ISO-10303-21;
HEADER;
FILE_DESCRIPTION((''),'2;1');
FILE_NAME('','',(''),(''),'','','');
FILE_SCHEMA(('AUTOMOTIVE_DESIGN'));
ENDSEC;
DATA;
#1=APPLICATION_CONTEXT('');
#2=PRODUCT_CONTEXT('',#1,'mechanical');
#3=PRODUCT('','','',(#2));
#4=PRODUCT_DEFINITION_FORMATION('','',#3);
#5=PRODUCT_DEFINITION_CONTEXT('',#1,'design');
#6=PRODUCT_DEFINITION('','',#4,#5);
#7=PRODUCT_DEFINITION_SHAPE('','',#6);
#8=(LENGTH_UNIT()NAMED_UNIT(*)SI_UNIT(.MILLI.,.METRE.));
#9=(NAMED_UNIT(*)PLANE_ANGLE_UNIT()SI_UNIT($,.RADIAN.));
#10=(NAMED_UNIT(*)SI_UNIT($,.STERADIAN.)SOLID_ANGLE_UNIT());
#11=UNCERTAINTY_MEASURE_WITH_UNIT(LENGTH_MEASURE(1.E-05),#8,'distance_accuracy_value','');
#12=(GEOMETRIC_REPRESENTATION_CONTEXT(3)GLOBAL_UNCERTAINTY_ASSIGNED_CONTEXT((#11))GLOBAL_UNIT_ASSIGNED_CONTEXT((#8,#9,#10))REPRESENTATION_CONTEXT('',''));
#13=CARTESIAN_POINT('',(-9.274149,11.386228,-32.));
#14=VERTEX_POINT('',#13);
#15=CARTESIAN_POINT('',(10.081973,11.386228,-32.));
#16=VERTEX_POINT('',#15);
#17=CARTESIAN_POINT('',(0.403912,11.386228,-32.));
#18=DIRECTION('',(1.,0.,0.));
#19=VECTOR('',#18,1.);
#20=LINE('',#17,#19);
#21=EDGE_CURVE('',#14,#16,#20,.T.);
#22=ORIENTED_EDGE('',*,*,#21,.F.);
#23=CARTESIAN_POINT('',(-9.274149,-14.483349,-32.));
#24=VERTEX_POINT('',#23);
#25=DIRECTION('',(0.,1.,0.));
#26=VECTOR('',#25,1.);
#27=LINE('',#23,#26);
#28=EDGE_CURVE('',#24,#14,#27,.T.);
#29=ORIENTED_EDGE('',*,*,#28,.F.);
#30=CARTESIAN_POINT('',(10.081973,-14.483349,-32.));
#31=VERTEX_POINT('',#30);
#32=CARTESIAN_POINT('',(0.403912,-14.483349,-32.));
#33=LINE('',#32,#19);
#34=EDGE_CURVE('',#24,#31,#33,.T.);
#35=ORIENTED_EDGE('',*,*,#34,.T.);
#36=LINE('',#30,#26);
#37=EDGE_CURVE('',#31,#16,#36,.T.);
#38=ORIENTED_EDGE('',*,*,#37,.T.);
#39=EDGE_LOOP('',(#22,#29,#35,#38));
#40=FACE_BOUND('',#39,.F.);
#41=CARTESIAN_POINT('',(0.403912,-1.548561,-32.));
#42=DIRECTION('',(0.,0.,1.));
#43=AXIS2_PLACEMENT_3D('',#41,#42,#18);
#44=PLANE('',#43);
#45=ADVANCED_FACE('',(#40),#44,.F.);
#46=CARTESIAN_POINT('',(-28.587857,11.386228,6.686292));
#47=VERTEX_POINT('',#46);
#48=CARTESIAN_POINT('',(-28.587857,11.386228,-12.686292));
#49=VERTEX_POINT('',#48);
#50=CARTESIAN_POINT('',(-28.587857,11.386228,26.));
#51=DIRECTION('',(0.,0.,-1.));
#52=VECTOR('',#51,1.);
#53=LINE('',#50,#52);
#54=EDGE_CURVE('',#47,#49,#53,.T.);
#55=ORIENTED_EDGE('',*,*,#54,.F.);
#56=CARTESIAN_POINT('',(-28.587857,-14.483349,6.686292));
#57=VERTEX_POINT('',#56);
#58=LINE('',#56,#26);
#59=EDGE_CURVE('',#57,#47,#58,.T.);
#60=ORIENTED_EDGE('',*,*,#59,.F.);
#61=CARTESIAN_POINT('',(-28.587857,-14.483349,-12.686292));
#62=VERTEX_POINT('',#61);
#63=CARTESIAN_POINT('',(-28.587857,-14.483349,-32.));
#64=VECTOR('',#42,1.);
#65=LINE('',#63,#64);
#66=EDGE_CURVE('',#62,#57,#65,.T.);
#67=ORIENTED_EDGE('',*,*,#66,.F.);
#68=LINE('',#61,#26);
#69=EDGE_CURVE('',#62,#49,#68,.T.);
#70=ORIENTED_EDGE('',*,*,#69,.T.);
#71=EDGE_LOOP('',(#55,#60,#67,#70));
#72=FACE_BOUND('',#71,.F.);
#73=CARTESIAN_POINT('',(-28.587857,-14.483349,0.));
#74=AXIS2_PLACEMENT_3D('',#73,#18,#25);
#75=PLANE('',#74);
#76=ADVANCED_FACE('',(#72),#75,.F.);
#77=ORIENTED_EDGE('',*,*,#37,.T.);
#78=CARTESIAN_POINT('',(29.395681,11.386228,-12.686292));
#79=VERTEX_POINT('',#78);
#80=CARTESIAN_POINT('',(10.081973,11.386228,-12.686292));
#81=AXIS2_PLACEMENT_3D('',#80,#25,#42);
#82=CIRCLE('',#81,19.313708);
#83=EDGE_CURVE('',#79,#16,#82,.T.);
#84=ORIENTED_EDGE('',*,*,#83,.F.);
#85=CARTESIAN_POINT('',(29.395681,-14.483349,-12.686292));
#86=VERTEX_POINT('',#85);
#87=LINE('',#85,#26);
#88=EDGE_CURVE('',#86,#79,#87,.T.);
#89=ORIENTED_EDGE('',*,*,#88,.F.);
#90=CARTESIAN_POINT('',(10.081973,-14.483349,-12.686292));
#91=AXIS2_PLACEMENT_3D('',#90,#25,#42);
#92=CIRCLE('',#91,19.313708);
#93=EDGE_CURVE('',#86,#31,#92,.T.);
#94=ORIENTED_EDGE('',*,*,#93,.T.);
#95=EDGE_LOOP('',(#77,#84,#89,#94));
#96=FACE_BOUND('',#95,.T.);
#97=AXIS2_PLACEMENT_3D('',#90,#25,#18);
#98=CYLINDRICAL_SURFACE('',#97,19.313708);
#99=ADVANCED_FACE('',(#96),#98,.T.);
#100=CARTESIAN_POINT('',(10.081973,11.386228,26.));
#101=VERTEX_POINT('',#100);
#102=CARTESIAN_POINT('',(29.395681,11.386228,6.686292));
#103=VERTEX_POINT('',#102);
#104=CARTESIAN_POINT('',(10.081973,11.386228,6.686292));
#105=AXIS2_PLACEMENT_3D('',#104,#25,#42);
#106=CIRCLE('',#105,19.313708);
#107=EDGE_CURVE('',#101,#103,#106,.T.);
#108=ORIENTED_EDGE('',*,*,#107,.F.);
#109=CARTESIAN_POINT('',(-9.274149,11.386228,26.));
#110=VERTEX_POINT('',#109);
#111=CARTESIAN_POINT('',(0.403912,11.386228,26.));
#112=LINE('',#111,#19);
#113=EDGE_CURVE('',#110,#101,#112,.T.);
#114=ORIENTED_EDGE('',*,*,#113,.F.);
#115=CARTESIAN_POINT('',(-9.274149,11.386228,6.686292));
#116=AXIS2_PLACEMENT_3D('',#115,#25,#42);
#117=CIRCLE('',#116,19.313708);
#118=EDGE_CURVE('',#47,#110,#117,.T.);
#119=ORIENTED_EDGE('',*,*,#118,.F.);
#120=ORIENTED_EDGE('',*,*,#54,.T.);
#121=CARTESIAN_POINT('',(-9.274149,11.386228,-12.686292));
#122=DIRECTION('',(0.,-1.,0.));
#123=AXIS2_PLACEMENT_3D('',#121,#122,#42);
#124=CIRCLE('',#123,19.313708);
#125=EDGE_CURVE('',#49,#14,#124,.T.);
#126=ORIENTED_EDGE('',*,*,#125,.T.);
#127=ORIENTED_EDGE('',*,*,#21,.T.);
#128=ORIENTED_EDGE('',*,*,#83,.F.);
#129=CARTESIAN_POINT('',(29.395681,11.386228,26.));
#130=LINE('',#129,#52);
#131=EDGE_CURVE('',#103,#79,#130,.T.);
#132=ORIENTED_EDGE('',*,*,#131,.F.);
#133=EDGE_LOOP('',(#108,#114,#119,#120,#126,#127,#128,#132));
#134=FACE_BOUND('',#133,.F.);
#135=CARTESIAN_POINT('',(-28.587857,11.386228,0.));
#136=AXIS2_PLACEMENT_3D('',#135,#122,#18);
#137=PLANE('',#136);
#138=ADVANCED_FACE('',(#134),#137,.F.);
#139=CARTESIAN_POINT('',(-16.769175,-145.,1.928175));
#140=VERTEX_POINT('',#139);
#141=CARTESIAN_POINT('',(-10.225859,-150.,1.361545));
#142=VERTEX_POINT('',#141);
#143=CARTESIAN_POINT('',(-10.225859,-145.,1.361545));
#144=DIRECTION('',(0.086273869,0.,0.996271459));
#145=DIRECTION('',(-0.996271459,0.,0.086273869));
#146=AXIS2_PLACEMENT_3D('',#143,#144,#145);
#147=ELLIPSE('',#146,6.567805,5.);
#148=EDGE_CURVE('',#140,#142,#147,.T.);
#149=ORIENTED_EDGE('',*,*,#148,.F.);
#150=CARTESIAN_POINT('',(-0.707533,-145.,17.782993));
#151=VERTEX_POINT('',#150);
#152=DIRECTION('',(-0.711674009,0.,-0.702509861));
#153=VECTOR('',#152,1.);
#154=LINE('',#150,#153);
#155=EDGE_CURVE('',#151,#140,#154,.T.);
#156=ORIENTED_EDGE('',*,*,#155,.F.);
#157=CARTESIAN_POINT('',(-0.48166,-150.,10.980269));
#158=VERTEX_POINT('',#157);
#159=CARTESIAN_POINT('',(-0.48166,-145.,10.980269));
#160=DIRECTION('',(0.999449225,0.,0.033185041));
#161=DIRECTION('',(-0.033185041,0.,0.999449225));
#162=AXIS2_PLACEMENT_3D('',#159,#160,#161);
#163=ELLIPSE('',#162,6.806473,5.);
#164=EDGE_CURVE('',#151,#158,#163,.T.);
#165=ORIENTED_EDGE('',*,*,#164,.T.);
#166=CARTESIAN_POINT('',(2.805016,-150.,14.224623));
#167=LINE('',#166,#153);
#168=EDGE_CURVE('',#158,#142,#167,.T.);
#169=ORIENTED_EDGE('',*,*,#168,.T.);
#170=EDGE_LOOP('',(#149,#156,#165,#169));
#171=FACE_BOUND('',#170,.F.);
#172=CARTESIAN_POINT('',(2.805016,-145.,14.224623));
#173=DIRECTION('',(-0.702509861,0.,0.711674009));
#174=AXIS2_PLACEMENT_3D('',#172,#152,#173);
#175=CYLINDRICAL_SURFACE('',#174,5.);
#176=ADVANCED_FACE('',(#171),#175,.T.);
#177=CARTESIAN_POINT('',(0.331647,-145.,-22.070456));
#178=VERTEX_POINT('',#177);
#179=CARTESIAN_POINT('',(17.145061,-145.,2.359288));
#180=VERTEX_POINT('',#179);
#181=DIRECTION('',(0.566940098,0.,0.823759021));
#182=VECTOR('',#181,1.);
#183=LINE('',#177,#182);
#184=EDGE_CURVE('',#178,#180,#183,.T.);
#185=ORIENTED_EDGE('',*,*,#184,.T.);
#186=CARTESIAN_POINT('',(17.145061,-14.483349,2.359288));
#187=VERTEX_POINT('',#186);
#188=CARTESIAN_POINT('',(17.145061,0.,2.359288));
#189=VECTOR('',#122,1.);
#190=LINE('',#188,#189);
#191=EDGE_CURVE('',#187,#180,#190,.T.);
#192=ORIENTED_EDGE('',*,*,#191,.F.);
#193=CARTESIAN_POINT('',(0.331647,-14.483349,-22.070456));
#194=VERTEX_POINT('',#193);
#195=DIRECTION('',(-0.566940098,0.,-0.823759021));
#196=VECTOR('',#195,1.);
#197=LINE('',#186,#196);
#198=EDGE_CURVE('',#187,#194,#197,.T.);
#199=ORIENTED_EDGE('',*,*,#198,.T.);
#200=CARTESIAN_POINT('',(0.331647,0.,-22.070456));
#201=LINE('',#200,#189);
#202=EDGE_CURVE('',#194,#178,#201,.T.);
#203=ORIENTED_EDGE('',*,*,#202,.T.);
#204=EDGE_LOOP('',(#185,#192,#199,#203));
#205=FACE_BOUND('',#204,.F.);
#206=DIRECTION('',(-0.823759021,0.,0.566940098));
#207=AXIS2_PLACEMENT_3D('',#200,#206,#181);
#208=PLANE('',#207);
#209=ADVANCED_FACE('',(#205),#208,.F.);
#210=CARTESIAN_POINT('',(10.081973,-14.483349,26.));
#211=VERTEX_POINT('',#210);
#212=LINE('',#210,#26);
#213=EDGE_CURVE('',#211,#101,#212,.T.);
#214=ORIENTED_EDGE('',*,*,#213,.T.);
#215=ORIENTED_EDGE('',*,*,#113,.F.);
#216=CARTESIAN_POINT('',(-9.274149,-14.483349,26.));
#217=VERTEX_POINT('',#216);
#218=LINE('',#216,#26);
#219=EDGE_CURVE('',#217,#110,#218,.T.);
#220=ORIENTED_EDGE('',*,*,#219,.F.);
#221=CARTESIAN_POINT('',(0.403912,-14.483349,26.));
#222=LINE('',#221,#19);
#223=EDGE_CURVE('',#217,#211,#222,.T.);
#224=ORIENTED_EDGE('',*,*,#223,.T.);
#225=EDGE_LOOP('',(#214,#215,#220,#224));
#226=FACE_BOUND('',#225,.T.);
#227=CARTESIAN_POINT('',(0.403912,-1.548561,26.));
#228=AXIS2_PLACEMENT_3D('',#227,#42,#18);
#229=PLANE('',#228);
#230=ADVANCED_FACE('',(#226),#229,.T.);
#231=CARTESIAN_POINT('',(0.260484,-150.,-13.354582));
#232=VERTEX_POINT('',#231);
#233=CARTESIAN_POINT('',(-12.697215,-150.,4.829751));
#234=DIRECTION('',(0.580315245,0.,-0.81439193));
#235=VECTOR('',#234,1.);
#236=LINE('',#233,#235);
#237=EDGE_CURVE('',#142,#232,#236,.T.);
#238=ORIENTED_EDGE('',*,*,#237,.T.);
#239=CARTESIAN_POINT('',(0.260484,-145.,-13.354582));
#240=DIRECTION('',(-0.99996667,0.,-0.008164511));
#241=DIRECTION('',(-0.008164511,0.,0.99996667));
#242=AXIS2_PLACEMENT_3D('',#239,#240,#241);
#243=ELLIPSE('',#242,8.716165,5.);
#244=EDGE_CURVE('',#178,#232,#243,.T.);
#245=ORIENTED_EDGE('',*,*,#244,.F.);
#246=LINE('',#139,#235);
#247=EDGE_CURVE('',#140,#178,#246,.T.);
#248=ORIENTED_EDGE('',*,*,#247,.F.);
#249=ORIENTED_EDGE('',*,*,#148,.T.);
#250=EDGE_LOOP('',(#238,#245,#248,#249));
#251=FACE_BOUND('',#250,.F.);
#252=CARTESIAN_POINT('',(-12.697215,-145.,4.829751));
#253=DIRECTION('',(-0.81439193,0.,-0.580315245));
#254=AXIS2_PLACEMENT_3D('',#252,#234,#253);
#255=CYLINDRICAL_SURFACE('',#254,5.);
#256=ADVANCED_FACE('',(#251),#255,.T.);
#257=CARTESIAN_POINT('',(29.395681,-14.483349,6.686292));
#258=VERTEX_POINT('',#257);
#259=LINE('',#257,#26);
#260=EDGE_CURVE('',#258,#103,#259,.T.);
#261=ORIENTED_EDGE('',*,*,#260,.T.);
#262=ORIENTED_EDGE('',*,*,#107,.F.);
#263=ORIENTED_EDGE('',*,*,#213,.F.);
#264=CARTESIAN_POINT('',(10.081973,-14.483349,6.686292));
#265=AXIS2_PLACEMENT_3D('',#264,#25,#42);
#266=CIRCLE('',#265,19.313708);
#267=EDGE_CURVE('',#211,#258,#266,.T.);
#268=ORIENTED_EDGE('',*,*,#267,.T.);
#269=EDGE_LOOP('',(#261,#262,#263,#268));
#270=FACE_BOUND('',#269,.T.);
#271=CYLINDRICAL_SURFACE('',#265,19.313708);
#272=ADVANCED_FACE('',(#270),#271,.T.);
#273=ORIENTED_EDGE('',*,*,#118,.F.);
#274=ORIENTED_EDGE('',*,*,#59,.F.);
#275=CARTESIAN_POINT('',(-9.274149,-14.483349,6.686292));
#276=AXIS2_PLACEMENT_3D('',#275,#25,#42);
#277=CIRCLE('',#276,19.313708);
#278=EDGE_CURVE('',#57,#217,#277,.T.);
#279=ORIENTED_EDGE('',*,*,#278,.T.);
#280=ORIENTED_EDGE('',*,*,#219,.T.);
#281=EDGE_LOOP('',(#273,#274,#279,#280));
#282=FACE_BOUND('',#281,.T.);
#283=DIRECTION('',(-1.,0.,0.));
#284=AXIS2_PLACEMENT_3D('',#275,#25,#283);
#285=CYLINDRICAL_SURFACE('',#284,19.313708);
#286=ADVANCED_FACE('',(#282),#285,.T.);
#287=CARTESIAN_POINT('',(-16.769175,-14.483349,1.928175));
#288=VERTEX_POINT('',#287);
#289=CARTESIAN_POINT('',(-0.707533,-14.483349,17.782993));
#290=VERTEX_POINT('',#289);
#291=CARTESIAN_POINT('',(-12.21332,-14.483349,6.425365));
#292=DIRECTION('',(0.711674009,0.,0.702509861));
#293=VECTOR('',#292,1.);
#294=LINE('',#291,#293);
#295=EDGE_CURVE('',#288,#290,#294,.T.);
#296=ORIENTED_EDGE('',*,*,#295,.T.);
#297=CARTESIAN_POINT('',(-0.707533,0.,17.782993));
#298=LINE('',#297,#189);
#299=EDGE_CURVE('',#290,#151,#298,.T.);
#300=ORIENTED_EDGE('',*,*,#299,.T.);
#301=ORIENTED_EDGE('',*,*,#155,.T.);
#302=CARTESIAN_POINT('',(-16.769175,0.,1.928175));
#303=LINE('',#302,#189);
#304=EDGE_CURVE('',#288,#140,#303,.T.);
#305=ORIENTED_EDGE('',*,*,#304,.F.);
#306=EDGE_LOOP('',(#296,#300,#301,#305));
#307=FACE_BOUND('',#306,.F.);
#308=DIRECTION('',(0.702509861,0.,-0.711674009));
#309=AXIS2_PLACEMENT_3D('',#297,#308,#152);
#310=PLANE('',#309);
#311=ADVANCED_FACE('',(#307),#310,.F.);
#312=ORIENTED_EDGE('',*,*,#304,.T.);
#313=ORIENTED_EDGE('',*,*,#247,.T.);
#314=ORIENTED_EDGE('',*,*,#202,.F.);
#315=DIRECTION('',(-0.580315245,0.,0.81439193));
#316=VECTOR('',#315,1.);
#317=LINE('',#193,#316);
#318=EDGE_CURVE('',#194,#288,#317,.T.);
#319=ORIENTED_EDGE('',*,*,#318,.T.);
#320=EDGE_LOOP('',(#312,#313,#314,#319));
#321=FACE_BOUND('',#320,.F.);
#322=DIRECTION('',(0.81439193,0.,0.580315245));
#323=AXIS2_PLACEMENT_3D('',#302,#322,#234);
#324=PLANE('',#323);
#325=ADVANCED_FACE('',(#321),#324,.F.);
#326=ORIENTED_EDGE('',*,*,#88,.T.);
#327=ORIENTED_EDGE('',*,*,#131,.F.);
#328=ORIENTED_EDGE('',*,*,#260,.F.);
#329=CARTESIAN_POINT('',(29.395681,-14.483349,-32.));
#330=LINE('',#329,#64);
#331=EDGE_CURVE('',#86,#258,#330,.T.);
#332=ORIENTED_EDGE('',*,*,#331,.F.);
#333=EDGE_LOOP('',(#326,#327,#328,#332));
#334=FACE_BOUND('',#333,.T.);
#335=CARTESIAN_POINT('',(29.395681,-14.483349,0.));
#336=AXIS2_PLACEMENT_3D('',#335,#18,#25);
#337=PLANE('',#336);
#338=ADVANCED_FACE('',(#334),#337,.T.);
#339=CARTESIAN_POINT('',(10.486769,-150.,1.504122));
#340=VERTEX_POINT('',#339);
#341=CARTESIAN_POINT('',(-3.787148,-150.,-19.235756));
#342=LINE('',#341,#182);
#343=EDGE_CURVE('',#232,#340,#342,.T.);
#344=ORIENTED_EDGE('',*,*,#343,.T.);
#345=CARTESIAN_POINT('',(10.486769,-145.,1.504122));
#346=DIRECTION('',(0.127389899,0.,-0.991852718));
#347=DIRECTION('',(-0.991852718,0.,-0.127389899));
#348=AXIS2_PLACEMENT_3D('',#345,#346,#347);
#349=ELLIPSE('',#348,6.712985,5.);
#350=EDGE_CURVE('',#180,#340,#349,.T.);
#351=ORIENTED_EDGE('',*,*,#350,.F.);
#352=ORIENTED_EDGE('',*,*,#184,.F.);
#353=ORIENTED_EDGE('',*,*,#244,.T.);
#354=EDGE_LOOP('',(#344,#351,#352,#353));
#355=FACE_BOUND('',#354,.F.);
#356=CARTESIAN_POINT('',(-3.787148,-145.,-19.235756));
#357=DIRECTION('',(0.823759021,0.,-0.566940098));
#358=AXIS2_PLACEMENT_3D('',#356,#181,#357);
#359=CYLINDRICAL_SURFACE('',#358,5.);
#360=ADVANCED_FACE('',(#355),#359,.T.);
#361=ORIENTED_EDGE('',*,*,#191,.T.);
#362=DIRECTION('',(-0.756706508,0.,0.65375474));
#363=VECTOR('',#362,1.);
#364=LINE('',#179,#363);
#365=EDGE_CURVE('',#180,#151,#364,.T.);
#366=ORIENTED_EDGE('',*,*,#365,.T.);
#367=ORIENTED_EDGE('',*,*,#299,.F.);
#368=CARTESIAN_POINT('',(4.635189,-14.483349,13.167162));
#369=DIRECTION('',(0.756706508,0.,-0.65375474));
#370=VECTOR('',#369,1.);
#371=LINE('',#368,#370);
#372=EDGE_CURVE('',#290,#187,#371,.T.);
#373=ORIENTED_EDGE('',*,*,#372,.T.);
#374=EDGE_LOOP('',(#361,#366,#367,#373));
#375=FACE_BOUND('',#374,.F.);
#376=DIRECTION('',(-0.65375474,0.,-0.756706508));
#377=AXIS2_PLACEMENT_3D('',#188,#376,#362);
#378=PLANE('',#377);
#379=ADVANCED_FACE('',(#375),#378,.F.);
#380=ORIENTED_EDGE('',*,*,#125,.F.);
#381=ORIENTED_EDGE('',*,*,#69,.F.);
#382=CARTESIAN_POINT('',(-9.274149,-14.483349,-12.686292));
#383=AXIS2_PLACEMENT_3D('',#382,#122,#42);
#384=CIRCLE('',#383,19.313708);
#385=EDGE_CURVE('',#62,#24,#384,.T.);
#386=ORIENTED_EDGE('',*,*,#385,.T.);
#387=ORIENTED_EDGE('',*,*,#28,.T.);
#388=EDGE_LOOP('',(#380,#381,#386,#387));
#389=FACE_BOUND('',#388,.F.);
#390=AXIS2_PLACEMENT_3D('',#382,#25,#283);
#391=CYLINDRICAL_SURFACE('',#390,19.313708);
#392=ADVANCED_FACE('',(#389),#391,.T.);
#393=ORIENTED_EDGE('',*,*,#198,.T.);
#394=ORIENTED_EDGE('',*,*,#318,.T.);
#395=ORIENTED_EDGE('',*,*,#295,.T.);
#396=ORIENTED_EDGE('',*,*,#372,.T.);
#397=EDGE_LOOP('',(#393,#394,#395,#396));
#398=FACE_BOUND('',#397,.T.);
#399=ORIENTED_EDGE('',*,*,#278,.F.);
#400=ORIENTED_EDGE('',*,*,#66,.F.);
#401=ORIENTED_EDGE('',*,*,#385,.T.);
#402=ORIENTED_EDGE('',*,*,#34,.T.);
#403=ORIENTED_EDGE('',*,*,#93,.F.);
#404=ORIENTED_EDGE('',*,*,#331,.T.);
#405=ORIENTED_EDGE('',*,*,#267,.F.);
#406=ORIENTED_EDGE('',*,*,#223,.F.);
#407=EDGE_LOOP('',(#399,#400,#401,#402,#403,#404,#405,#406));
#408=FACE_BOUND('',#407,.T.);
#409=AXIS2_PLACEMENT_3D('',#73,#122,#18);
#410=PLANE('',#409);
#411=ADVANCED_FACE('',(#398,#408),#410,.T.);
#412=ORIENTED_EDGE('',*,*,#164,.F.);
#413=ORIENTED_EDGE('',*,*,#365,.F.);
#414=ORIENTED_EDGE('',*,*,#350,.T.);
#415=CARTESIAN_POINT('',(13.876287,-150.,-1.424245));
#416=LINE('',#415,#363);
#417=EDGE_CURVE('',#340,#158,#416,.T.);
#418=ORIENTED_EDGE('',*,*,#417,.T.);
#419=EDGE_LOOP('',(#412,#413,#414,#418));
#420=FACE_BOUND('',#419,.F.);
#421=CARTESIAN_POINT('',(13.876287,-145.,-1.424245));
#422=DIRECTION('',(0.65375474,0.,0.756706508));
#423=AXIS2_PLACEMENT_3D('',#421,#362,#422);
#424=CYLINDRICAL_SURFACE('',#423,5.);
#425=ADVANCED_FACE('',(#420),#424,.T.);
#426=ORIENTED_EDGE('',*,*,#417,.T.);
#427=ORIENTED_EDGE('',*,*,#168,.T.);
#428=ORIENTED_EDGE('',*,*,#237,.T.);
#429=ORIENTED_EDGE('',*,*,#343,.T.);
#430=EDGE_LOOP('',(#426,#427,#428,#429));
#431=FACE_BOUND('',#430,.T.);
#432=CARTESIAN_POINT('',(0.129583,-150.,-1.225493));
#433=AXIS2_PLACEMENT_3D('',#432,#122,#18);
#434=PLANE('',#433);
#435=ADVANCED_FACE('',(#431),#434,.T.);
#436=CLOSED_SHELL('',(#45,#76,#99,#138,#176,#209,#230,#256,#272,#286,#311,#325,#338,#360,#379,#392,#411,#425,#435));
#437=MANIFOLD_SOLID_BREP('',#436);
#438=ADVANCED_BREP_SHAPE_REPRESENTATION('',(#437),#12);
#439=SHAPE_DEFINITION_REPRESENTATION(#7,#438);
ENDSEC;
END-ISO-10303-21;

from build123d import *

# Parameters (mm, degrees)
F1_DEPTH      = 150
F2_W          = 57.983538
F2_H          = 25.869577
F3_DEPTH      = 26
F3_DEPTH_BACK = 32
F4_R          = 19.313708
F5_R          = 5


with BuildPart() as f1:
    # F0 (on Front) → F1 (new body)
    with BuildSketch(Plane.XZ):
        Polygon((-16.769175, 1.928175), (0.331647, -22.070456), (17.145061, 2.359288), (-0.707533, 17.782993), align=None)
    extrude(amount=F1_DEPTH)

    # F2 (on Top) → F3 (join, two sides)
    with BuildSketch(Plane.XY) as f3_sk:
        with Locations((0.403912, -1.548561)):
            Rectangle(F2_W, F2_H)
    extrude(amount=F3_DEPTH)
    extrude(f3_sk.sketch, amount=-F3_DEPTH_BACK)

    # F4
    f4_edges = [f1.edges().sort_by_distance(p)[0] for p in [
        (-28.587857, -1.548562, -32),
        (29.395681, -1.548562, -32),
        (29.395681, -1.548562, 26),
        (-28.587857, -1.548562, 26),
    ]]
    fillet(f4_edges, radius=F4_R)

    # F5
    f5_edges = [f1.edges().sort_by_distance(p)[0] for p in [
        (8.218764, -150, 10.071141),
        (8.738354, -150, -9.855584),
        (-8.738354, -150, 9.855584),
        (-8.218764, -150, -10.071141),
    ]]
    fillet(f5_edges, radius=F5_R)


solid = f1.part
